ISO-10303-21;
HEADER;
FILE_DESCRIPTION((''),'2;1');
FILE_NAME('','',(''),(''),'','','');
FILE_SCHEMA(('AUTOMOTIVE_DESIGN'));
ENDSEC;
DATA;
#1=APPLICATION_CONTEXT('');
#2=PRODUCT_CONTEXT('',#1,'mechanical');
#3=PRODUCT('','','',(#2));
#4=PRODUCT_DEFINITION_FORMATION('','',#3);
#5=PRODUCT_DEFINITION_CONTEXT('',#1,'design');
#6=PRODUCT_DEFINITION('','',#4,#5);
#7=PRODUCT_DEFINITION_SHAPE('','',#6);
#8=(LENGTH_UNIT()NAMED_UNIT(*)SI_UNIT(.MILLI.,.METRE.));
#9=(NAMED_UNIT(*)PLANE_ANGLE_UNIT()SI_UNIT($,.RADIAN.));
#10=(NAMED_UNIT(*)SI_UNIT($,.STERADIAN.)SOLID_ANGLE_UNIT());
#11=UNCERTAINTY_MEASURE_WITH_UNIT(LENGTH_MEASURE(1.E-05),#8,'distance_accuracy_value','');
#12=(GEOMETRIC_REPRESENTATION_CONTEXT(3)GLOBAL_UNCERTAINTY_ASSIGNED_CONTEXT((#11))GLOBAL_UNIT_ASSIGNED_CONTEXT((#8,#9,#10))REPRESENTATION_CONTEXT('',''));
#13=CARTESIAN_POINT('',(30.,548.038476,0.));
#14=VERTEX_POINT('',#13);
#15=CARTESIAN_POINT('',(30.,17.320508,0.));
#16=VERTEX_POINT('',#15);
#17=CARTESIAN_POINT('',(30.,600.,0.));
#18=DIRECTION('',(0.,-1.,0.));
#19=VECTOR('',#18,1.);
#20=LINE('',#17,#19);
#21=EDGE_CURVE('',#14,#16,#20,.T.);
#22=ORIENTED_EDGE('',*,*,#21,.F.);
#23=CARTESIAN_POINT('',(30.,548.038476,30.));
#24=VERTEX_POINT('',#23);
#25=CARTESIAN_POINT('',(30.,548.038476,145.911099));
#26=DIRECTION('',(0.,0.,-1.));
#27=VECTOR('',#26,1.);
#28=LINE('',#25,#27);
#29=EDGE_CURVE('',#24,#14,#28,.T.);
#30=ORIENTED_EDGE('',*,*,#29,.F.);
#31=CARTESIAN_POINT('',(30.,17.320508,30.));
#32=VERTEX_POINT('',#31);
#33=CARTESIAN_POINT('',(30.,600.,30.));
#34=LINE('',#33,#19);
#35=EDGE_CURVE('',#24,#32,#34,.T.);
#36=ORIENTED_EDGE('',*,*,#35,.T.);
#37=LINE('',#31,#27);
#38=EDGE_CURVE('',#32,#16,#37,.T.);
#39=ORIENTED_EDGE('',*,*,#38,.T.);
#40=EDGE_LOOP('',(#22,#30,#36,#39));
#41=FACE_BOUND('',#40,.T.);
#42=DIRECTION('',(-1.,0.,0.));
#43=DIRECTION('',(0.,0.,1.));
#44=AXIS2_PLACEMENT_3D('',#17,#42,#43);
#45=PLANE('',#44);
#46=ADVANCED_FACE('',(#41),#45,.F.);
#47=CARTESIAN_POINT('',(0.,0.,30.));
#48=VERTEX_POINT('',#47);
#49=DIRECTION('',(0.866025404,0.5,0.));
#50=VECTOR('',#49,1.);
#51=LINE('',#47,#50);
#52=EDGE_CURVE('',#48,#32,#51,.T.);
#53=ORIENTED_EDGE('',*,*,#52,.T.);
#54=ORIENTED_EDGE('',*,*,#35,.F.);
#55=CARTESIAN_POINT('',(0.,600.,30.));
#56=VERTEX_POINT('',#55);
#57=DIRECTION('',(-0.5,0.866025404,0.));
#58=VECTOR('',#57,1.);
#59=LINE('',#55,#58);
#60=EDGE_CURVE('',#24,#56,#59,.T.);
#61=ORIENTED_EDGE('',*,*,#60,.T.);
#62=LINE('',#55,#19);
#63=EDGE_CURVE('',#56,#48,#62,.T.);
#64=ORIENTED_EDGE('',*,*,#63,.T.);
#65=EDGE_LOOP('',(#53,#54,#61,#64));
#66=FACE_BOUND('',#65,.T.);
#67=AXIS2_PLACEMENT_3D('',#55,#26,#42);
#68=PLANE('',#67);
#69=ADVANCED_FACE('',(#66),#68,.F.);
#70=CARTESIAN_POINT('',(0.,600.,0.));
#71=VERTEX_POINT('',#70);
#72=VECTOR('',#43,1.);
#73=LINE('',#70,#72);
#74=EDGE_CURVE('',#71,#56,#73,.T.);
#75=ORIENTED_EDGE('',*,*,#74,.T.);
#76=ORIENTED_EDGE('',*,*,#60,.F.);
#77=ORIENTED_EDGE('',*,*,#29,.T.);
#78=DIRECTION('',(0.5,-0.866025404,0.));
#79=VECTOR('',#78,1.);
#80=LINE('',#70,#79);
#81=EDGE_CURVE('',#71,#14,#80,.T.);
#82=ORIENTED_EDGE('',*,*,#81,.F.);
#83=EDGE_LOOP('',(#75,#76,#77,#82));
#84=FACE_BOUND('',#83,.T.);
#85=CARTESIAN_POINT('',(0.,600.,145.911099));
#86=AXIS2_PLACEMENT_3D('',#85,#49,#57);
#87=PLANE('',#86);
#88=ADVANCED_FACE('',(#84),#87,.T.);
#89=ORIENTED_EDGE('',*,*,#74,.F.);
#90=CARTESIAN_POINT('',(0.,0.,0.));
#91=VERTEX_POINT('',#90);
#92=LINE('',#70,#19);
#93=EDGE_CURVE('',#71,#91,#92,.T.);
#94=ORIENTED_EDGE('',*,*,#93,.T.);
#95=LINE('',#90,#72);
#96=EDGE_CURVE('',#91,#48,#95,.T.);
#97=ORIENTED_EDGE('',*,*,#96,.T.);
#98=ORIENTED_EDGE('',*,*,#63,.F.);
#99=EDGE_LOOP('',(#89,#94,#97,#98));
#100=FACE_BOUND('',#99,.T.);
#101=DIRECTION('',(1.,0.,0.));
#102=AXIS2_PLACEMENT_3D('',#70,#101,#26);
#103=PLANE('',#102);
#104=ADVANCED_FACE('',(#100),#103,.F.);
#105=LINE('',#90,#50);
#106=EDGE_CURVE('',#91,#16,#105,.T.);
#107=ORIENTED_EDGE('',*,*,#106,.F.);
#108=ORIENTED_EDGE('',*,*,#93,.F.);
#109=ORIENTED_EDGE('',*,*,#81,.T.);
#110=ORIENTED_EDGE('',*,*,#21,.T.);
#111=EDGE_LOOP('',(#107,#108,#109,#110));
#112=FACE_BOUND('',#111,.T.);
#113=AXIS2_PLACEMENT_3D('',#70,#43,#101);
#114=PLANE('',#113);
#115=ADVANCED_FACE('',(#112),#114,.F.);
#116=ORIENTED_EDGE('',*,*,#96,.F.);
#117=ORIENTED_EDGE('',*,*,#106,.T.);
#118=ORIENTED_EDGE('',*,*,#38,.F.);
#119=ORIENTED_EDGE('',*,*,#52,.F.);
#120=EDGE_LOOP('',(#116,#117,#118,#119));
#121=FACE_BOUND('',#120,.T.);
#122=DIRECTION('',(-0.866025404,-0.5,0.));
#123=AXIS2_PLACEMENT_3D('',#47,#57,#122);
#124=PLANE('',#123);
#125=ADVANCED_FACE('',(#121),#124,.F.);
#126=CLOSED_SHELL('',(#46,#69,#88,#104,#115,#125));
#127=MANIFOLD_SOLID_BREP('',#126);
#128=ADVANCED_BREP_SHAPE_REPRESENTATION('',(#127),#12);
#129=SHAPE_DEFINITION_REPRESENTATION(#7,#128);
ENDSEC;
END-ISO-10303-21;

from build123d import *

# Parameters (mm, degrees)
SKETCH_1_W          = 30
SKETCH_1_H          = 30
EXTRUDE_1_DEPTH     = 600
CUT_EXTRUDE_1_REACH = 603.498
CUT_EXTRUDE_2_REACH = 603.498
CUT_EXTRUDE_3_DEPTH = 602.498129673
EXTRUDE_2_DEPTH     = 30


with BuildPart() as part:
    # 草图1 → 凸台-拉伸1 (new body)
    with BuildSketch(Plane(origin=(0, 0, 0), x_dir=(1, 0, 0), z_dir=(0, 1, 0))):
        with Locations((15, -15)):
            Rectangle(SKETCH_1_W, SKETCH_1_H)
    extrude(amount=EXTRUDE_1_DEPTH)

    # 草图2 → 切除-拉伸1 (cut, up to next)
    with BuildSketch(Plane.XY.offset(30), mode=Mode.PRIVATE) as cut_extrude_1_sk1:
        Polygon((0, 0), (30, 8.038475773), (30, 0), align=None)
    cut_extrude_1_tool1 = extrude(cut_extrude_1_sk1.sketch, amount=-CUT_EXTRUDE_1_REACH, mode=Mode.PRIVATE) & part.part
    add(cut_extrude_1_tool1.solids().sort_by_distance((20, 2.679492, 30))[0], mode=Mode.SUBTRACT)

    # 草图3 → 切除-拉伸2 (cut, up to next)
    with BuildSketch(Plane(origin=(0, 0, 0), x_dir=(-1, 0, 0), z_dir=(0, 0, -1)), mode=Mode.PRIVATE) as cut_extrude_2_sk1:
        Polygon((0, 600), (-30, 600), (-30, 488.038475773), align=None)
    cut_extrude_2_tool1 = extrude(cut_extrude_2_sk1.sketch, amount=-CUT_EXTRUDE_2_REACH, mode=Mode.PRIVATE) & part.part
    add(cut_extrude_2_tool1.solids().sort_by_distance((20, 562.679492, 0))[0], mode=Mode.SUBTRACT)

    # 草图5 → 切除-拉伸3 (cut, through all)
    with BuildSketch(Plane(origin=(0, 0, 0), x_dir=(-1, 0, 0), z_dir=(0, 0, -1))):
        Polygon((-30, 17.320508076), (-30, 8.038475773), (0, 0), align=None)
    extrude(amount=-CUT_EXTRUDE_3_DEPTH, mode=Mode.SUBTRACT)

    # 草图6 → 凸台-拉伸2 (add)
    with BuildSketch(Plane(origin=(0, 0, 0), x_dir=(-1, 0, 0), z_dir=(0, 0, -1))):
        Polygon((-30, 488.038475773), (0, 600), (-30, 548.038475773), align=None)
    extrude(amount=-EXTRUDE_2_DEPTH)


solid = part.part
